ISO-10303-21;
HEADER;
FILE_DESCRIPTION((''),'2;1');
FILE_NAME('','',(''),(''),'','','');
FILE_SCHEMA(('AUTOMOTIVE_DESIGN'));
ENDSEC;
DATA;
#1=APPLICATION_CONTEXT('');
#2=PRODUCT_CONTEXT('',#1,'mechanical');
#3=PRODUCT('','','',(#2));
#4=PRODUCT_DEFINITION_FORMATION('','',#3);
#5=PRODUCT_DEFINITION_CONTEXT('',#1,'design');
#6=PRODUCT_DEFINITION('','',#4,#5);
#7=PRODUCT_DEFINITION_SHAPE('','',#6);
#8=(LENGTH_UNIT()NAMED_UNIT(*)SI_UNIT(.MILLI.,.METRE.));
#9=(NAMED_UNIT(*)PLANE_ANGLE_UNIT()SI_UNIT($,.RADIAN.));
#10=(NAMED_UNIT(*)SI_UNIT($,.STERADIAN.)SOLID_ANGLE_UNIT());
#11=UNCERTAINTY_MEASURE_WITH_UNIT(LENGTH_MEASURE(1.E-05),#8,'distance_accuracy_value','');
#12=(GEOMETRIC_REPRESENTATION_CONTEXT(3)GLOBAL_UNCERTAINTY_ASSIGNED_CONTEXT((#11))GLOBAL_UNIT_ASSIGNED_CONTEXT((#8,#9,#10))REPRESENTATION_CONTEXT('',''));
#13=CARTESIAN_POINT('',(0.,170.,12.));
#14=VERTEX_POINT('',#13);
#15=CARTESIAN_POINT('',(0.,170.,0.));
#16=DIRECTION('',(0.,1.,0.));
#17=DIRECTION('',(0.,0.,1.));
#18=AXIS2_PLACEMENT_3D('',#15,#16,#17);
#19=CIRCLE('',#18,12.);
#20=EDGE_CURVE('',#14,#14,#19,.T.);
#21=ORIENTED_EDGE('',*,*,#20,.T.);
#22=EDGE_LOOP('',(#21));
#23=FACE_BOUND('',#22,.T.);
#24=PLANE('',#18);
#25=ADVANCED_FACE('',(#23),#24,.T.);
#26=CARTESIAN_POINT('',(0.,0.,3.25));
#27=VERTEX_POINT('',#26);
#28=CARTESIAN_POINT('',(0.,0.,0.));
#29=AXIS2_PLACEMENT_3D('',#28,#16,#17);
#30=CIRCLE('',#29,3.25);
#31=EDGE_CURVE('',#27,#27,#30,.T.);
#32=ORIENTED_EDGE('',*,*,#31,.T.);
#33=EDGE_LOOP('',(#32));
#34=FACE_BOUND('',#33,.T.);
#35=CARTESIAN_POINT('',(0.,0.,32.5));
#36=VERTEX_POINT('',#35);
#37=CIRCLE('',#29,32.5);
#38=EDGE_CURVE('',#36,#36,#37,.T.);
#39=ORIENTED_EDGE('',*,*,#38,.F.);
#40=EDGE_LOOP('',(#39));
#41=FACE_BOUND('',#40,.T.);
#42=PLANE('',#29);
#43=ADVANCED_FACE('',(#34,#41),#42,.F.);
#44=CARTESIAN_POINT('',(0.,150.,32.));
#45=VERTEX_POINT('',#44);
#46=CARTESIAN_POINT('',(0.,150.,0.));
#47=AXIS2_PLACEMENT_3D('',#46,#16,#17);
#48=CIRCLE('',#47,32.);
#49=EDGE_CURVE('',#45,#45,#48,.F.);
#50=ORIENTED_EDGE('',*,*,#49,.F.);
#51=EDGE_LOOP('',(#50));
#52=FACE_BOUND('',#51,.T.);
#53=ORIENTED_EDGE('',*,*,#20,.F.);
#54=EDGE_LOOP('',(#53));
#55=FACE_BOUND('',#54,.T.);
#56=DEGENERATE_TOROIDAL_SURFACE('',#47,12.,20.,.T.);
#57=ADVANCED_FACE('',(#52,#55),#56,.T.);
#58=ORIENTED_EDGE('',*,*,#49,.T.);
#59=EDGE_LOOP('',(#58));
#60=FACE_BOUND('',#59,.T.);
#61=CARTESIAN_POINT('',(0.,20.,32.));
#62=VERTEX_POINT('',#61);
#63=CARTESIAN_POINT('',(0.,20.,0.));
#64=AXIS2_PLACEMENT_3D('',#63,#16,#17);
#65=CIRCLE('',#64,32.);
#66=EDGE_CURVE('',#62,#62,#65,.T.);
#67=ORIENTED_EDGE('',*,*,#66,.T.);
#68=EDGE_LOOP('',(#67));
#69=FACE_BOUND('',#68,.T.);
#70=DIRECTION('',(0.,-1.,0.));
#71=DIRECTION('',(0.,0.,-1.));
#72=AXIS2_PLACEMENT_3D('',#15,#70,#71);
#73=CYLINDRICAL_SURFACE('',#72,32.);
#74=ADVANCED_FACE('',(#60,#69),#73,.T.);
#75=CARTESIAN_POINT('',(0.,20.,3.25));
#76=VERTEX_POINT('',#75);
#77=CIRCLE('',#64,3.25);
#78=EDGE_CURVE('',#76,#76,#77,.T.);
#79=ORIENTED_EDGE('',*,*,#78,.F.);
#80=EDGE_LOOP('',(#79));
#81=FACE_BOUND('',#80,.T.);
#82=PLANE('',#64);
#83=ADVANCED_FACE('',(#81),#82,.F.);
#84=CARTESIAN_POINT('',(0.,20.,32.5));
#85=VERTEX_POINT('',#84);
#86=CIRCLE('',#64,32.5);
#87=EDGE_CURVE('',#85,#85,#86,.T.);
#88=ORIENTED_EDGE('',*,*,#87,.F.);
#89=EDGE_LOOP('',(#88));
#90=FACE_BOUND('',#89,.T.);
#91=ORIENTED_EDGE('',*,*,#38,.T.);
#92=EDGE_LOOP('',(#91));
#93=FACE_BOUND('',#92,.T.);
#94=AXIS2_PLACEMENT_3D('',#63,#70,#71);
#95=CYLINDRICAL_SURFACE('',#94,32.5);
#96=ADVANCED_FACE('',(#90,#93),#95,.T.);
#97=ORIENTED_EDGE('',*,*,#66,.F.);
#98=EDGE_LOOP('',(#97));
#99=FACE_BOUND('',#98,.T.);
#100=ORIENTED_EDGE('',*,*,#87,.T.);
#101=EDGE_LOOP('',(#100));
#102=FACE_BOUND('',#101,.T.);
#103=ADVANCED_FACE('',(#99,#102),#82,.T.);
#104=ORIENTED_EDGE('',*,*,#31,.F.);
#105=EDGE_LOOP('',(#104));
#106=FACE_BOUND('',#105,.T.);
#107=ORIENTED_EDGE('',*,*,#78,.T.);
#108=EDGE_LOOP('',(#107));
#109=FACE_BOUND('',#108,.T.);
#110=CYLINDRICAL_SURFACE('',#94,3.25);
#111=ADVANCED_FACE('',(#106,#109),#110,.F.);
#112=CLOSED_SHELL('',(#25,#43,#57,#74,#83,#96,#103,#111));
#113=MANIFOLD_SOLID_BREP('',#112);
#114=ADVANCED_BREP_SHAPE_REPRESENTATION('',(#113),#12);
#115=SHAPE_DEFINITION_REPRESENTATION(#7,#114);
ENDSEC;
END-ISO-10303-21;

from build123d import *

# Parameters (mm, degrees)
ESQUISSE1_R        = 32.5
ESQUISSE1_R_2      = 3.25
BOSS_EXTRU_1_DEPTH = 20
ESQUISSE2_R        = 32
BOSS_EXTRU_2_DEPTH = 150
CONG_1_R           = 20


with BuildPart() as part:
    # Esquisse1 → Boss.-Extru.1 (new body)
    with BuildSketch(Plane(origin=(0, 0, 0), x_dir=(1, 0, 0), z_dir=(0, 1, 0))):
        Circle(ESQUISSE1_R)
        Circle(ESQUISSE1_R_2, mode=Mode.SUBTRACT)
    extrude(amount=BOSS_EXTRU_1_DEPTH)

    # Esquisse2 → Boss.-Extru.2 (add)
    with BuildSketch(Plane(origin=(0, 20, 0), x_dir=(1, 0, 0), z_dir=(0, 1, 0))):
        Circle(ESQUISSE2_R)
    extrude(amount=BOSS_EXTRU_2_DEPTH)

    # Congé1
    cong_1_edges = [part.edges().sort_by_distance(p)[0] for p in [
        (-32, 170, 0),
    ]]
    fillet(cong_1_edges, radius=CONG_1_R)


solid = part.part
